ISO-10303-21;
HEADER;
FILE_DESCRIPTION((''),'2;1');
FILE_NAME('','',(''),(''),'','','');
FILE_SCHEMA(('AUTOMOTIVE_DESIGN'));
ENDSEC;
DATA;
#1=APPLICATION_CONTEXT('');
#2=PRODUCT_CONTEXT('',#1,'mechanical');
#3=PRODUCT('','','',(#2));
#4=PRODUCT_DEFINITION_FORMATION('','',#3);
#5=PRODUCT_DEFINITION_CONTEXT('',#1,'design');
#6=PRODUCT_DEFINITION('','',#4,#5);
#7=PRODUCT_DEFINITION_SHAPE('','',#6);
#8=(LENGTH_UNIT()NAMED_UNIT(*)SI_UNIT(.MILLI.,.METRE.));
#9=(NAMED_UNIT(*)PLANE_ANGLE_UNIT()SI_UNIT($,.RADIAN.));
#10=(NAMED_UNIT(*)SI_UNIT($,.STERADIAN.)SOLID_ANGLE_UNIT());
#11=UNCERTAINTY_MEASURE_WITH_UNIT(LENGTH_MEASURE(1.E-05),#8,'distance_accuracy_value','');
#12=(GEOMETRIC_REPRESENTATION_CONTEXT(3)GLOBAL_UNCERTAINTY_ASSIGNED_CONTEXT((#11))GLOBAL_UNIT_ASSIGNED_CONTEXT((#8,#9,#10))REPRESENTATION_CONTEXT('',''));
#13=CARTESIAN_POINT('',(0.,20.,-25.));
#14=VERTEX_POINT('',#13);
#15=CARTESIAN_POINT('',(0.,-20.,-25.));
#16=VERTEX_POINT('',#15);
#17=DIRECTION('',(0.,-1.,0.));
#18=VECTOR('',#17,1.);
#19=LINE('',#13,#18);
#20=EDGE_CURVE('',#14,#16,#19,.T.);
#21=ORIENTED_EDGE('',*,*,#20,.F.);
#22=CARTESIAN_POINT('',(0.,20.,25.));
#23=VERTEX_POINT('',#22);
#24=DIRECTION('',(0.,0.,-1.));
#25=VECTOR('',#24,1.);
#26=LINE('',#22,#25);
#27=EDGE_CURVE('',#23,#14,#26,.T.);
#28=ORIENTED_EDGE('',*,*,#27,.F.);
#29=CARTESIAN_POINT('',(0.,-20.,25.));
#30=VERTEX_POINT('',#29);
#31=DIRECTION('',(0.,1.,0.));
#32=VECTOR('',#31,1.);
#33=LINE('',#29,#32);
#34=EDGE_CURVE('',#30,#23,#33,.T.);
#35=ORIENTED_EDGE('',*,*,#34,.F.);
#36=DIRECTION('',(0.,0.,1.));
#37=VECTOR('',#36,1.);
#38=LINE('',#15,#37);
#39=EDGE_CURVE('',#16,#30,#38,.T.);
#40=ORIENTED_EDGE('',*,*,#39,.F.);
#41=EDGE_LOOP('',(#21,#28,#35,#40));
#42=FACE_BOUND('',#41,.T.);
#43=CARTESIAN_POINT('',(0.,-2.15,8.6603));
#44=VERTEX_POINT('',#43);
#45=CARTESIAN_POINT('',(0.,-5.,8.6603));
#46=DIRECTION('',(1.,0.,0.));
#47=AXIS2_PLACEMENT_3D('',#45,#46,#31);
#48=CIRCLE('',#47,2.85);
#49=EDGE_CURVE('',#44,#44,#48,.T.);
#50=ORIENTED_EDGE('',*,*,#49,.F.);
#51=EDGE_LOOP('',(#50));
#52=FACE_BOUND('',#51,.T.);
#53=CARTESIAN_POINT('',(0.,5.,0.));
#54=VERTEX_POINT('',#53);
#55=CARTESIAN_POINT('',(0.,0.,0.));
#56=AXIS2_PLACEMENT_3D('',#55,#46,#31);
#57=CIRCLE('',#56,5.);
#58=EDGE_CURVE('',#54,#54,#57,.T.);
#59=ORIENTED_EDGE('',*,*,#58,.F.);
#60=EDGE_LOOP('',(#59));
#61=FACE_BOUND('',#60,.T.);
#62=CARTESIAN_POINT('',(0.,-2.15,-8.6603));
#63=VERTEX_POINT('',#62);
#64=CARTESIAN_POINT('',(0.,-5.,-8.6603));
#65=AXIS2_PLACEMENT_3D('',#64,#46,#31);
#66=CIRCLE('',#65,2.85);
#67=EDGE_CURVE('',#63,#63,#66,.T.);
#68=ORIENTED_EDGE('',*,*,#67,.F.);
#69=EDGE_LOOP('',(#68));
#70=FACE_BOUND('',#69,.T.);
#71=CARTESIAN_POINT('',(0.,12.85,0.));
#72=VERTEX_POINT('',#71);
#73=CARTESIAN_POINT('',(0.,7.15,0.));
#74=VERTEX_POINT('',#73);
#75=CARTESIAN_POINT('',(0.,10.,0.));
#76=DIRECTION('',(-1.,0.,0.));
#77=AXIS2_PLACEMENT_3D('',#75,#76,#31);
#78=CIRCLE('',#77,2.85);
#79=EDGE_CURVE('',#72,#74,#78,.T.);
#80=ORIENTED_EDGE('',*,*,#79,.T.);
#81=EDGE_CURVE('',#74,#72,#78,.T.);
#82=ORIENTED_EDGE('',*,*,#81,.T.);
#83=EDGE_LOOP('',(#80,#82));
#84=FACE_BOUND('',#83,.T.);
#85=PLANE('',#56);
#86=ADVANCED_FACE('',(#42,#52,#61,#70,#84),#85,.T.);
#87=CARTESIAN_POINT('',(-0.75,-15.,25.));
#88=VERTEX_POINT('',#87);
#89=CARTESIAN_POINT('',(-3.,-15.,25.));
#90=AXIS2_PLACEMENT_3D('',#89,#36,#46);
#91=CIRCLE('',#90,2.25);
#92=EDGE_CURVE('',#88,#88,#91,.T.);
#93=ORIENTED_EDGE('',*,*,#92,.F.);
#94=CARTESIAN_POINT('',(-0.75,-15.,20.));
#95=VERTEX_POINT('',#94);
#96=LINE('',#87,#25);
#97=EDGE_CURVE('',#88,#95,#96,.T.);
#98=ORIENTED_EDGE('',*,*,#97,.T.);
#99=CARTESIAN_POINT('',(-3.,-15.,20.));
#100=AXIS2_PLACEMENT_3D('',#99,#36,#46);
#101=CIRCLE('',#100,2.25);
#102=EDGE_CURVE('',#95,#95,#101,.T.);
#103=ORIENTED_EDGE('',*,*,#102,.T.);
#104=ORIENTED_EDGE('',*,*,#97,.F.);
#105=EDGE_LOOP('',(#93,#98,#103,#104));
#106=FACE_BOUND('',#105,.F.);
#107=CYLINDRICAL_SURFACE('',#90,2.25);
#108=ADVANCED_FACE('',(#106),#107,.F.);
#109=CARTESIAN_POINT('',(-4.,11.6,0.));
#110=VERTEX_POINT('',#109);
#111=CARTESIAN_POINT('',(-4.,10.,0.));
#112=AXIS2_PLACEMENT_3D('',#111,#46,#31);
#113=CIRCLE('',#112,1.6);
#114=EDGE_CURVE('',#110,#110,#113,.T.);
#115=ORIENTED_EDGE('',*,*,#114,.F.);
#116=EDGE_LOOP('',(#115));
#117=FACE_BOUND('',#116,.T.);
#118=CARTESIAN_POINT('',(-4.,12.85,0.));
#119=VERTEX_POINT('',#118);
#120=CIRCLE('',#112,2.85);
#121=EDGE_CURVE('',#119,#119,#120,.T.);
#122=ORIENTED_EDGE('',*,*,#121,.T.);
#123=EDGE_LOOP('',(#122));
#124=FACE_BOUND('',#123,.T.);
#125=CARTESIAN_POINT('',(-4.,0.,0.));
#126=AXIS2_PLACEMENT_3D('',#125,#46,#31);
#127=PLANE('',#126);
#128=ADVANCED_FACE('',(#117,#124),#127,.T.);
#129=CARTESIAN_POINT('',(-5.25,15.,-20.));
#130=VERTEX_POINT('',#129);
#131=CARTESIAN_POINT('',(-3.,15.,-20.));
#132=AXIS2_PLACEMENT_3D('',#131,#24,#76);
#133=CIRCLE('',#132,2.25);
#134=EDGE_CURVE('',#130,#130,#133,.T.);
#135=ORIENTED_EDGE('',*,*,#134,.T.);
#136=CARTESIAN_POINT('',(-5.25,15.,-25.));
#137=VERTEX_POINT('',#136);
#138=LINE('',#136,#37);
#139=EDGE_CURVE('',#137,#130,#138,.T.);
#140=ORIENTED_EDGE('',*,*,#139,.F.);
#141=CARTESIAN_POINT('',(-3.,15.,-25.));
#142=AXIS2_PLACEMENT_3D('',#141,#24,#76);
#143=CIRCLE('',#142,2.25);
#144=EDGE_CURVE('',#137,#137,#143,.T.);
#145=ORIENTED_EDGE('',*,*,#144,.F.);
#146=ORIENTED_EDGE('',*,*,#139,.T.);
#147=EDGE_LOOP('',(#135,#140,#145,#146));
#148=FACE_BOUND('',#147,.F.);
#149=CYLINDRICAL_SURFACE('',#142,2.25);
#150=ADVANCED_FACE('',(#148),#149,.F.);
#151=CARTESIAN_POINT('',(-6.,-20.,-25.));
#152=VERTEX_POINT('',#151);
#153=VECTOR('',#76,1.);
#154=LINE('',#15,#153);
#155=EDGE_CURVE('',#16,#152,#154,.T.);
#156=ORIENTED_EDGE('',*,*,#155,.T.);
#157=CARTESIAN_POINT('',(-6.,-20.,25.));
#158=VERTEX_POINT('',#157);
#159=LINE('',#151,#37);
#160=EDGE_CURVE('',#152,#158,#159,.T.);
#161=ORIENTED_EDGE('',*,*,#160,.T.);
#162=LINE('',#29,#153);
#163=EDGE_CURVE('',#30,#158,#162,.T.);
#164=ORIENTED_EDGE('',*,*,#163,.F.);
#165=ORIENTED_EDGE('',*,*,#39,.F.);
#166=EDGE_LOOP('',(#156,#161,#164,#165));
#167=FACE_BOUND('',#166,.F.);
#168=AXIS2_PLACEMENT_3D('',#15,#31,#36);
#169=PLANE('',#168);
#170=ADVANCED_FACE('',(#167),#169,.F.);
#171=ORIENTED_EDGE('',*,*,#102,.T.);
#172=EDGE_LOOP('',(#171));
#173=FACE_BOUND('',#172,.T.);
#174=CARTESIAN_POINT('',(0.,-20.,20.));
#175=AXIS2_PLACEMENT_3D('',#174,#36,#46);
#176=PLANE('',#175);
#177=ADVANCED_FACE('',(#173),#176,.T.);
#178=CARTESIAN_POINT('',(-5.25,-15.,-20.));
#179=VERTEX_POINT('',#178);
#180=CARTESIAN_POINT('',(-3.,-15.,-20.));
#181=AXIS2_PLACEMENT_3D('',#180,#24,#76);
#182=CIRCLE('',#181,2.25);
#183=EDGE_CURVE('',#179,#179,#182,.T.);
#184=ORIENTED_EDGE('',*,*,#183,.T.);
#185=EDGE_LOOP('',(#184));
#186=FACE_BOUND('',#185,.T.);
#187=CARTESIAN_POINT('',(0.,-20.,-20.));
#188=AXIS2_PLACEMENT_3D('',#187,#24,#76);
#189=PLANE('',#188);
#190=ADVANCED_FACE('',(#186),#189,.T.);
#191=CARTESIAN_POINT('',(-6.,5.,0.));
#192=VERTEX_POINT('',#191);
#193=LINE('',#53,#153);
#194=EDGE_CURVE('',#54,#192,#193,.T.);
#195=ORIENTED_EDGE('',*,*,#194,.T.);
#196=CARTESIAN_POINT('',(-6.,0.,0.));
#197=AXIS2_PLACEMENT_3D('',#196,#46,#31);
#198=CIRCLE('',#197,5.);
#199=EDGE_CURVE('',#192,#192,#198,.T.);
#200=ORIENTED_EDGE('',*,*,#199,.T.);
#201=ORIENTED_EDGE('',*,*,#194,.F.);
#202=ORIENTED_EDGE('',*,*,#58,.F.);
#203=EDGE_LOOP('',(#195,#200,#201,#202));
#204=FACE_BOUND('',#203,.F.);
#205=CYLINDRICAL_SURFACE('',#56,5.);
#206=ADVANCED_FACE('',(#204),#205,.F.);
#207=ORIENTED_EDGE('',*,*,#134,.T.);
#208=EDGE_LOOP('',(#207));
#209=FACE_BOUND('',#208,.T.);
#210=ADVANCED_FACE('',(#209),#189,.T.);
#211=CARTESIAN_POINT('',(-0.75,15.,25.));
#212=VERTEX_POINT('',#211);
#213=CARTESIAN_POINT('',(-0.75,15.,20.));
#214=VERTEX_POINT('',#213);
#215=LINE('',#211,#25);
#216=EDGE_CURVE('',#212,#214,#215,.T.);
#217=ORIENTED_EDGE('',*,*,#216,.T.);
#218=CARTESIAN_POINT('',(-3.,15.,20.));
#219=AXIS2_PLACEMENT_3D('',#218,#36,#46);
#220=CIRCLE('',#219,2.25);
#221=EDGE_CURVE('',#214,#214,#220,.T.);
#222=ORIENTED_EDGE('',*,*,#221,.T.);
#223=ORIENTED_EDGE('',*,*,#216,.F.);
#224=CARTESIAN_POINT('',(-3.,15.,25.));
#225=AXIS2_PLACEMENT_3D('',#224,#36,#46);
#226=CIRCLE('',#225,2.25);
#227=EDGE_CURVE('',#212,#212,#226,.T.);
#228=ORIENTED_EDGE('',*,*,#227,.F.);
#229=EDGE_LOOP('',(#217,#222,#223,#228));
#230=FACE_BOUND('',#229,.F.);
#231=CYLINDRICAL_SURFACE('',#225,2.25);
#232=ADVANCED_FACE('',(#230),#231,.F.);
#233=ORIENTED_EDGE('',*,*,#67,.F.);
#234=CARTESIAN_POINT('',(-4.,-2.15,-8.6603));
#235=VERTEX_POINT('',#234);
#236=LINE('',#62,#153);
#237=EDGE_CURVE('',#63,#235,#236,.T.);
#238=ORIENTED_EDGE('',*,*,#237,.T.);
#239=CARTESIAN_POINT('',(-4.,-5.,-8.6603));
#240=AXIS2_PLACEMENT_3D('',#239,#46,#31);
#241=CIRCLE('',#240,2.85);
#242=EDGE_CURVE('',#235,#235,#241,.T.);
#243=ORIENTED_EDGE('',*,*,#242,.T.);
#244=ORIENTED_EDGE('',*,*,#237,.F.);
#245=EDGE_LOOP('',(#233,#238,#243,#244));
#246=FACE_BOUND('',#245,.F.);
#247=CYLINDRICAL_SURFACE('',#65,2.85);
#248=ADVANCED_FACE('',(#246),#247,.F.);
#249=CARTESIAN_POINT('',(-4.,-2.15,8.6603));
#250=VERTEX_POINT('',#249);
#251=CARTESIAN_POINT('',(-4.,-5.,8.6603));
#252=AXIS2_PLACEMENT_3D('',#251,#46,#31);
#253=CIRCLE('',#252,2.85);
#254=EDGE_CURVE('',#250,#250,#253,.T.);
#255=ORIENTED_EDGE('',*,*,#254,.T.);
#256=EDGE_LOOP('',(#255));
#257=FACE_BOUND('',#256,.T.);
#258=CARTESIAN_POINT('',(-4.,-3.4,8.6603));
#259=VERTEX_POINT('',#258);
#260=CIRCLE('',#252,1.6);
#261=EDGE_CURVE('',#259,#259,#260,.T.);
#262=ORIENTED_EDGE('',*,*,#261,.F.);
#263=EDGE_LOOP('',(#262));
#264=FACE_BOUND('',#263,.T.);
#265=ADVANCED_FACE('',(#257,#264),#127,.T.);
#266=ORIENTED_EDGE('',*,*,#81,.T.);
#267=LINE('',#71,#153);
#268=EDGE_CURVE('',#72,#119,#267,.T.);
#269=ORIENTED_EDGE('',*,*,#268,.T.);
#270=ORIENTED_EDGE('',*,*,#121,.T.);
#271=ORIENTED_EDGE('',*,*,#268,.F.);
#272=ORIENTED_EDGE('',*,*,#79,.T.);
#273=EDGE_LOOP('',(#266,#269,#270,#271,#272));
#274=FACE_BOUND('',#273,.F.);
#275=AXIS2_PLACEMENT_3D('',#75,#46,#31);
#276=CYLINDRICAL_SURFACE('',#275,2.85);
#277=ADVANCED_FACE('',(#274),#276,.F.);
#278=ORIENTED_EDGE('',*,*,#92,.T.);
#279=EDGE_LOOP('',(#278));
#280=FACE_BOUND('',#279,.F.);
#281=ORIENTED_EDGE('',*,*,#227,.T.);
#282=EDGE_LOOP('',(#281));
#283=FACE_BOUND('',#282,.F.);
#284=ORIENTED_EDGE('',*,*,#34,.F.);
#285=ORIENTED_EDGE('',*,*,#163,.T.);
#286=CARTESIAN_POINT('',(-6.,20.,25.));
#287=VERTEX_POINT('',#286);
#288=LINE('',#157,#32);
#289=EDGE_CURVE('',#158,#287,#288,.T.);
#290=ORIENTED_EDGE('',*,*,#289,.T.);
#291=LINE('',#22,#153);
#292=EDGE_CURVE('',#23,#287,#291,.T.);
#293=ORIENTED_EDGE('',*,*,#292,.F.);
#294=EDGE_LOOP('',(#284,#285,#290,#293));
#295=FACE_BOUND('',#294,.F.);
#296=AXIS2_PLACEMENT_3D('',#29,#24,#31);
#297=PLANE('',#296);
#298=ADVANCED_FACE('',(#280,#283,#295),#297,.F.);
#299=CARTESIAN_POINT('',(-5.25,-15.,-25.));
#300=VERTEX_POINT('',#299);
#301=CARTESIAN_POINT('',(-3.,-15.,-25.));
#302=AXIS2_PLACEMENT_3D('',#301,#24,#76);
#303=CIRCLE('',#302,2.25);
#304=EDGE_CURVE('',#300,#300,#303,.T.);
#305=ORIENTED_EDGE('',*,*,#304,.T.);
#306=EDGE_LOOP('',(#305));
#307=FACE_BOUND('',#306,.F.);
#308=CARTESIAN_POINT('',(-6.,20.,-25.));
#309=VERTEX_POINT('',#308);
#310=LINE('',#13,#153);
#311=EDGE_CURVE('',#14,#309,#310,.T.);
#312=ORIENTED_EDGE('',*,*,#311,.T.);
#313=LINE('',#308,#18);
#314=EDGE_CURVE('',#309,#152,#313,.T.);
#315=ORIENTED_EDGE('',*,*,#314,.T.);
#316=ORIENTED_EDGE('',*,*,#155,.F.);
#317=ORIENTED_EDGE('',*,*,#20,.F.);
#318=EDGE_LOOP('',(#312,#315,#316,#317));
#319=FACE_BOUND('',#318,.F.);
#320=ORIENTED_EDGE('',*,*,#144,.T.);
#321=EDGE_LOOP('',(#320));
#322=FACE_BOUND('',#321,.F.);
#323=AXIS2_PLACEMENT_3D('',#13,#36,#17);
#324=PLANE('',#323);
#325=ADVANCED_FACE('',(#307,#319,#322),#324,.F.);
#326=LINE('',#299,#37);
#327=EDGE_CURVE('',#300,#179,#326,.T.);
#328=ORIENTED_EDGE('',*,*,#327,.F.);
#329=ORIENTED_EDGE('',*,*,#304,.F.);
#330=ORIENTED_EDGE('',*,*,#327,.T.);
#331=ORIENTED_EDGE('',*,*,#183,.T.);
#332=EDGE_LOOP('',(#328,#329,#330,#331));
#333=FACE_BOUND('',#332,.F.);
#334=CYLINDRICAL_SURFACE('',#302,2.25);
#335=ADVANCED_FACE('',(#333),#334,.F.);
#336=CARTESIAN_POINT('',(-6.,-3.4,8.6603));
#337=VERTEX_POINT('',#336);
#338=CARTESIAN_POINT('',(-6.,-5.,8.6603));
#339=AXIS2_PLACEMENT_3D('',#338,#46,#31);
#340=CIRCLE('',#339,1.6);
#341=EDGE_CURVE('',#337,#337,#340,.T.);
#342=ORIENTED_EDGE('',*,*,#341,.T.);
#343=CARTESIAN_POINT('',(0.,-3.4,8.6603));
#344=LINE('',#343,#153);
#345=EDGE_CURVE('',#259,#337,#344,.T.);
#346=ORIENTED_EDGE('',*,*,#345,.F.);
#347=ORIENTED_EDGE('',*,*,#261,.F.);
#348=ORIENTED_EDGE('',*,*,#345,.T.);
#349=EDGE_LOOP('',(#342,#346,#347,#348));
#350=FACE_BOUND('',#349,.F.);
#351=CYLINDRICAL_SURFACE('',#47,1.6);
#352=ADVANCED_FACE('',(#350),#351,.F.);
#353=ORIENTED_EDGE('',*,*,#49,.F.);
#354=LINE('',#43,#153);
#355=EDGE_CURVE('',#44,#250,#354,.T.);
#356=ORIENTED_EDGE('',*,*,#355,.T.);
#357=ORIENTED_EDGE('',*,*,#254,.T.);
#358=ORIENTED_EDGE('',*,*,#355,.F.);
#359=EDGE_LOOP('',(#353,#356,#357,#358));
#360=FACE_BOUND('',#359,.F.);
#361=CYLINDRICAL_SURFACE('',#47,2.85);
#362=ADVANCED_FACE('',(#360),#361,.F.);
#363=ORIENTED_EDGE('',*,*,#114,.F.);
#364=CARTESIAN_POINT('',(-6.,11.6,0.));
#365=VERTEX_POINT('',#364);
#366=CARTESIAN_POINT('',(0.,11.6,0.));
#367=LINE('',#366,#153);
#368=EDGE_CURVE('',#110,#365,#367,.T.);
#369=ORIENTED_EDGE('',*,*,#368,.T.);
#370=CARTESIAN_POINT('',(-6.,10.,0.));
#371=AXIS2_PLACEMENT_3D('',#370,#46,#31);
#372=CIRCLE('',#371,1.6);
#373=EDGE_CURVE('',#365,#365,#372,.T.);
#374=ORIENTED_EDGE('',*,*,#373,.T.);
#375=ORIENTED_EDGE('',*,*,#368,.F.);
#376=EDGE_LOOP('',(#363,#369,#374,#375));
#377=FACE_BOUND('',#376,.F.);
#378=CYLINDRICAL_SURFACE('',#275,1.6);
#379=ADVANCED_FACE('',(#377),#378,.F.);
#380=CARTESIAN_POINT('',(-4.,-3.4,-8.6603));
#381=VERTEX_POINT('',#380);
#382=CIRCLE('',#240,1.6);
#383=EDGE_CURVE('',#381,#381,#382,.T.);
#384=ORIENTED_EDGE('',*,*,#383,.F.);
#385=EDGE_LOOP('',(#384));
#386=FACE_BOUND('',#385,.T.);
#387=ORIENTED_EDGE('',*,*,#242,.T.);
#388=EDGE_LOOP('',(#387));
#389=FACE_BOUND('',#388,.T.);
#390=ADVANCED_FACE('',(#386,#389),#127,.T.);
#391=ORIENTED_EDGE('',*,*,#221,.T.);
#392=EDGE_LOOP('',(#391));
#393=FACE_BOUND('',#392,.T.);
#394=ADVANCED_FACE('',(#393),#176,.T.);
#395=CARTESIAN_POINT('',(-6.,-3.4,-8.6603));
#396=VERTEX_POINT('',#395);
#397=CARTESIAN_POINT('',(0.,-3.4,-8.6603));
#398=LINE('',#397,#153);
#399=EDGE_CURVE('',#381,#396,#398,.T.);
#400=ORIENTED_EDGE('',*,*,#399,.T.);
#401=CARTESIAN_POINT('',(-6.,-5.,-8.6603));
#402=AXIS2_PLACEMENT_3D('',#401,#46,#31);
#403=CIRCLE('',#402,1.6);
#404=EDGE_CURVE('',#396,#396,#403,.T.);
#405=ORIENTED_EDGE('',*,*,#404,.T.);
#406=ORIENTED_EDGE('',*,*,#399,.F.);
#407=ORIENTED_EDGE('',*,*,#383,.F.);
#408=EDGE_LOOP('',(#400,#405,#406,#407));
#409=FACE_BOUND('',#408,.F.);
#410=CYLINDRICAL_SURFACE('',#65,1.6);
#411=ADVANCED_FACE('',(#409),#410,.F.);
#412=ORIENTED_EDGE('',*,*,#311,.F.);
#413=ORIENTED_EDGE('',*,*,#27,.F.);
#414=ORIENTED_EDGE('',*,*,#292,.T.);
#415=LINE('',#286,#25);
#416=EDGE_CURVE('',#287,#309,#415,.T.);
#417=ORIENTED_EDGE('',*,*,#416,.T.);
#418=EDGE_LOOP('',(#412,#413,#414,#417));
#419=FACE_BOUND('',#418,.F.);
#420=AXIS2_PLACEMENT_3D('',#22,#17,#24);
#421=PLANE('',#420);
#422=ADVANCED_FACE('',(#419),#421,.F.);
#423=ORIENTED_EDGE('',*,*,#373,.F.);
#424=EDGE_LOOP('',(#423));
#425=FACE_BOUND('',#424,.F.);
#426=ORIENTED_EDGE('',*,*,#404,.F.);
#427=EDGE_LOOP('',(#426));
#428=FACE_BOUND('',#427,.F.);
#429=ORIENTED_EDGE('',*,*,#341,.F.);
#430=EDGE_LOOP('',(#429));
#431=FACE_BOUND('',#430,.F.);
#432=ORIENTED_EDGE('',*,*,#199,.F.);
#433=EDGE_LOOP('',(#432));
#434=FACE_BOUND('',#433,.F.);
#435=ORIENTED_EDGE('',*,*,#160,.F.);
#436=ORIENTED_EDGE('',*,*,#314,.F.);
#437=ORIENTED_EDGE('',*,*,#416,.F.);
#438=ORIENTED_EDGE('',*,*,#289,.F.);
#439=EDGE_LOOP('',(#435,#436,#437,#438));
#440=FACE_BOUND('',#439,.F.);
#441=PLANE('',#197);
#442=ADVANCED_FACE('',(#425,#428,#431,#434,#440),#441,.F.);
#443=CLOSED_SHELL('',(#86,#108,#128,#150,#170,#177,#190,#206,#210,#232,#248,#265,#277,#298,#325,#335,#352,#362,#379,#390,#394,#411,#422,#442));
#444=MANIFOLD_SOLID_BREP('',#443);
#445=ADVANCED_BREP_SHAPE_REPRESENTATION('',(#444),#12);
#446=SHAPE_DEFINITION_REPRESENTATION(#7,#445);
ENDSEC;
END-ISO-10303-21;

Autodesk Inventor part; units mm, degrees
ref_plane "YZ Plane" through (0, 0, 0) normal (1, 0, 0) x (0, 1, 0)
ref_plane "XZ Plane" through (0, 0, 0) normal (0, 1, 0) x (-1, 0, 0)
ref_plane "XY Plane" through (0, 0, 0) normal (0, 0, 1) x (1, 0, 0)
sketch "スケッチ1" plane through (0, 0, 0) normal (1, 0, 0) x (0, 1, 0)
  line L0 (-20, -25) -> (-20, 25)
  line L1 (-20, 25) -> (20, 25)
  line L2 (20, 25) -> (20, -25)
  line L3 (20, -25) -> (-20, -25)
  line L4 (-20, -25) -> (20, 25) construction
  line L5 (-20, 25) -> (20, -25) construction
  circle A0 centre (0, 0) radius 5
  circle A1 centre (10, 0) radius 1.6
  line L6 (0, 0) -> (18.1986, 0)
  circle A2 centre (10, 0) radius 2.85
  circle A3 centre (-5, 8.6603) radius 2.85
  circle A4 centre (-5, 8.6603) radius 1.6
  circle A5 centre (-5, -8.6603) radius 2.85
  circle A6 centre (-5, -8.6603) radius 1.6
  point P0 (0, 0)
  dimension "d0" = 40
  dimension "d1" = 50
  dimension "d8" = 10
  dimension "d9" = 10
  dimension "d10" = 3.2
  dimension "d11" = 5.7
  dimension "d14" = 360
extrude "押し出し1" add sketch "スケッチ1" against normal blind 6 contours L0 L1 L2 L3 | A0 | A2 L6 A1 | L6 A1 A2 | L6 A1 | A1 L6 | A3 | A4 | A5 | A6
extrude "押し出し2" cut sketch "スケッチ1" against normal blind 6 contours A0 | L6 A1 | A1 L6 | A4 | A6
extrude "押し出し3" cut sketch "スケッチ1" against normal blind 4 contours A2 L6 A1 | L6 A1 A2 | A3 | A5
sketch "スケッチ2" plane through (0, -20, 25) normal (0, 0, 1) x (1, 0, 0)
  circle A0 centre (-3, 5) radius 2.25
  circle A1 centre (-3, 35) radius 2.25
  line L0 (-6, 0) -> (-6, 40) projected
  line L1 (0, 0) -> (-6, 0) projected
  line L2 (0, 40) -> (-6, 40) projected
  point P0 (0, 20)
  dimension "d20" = 3
  dimension "d21" = 3
  dimension "d22" = 4.5
  dimension "d23" = 4.5
  dimension "d24" = 5
  dimension "d25" = 5
extrude "押し出し4" cut sketch "スケッチ2" against normal blind 5
sketch "スケッチ3" plane through (0, -20, -25) normal (0, 0, -1) x (-1, 0, 0)
  circle A0 centre (3, 5) radius 2.25 projected
  circle A1 centre (3, 35) radius 2.25 projected
  circle A2 centre (3, 5) radius 2.25 projected
  circle A3 centre (3, 5) radius 2.25
  circle A4 centre (3, 35) radius 2.25
  point P0 (0, 20)
extrude "押し出し5" cut sketch "スケッチ3" against normal blind 5
properties part number "connect-wrist"
